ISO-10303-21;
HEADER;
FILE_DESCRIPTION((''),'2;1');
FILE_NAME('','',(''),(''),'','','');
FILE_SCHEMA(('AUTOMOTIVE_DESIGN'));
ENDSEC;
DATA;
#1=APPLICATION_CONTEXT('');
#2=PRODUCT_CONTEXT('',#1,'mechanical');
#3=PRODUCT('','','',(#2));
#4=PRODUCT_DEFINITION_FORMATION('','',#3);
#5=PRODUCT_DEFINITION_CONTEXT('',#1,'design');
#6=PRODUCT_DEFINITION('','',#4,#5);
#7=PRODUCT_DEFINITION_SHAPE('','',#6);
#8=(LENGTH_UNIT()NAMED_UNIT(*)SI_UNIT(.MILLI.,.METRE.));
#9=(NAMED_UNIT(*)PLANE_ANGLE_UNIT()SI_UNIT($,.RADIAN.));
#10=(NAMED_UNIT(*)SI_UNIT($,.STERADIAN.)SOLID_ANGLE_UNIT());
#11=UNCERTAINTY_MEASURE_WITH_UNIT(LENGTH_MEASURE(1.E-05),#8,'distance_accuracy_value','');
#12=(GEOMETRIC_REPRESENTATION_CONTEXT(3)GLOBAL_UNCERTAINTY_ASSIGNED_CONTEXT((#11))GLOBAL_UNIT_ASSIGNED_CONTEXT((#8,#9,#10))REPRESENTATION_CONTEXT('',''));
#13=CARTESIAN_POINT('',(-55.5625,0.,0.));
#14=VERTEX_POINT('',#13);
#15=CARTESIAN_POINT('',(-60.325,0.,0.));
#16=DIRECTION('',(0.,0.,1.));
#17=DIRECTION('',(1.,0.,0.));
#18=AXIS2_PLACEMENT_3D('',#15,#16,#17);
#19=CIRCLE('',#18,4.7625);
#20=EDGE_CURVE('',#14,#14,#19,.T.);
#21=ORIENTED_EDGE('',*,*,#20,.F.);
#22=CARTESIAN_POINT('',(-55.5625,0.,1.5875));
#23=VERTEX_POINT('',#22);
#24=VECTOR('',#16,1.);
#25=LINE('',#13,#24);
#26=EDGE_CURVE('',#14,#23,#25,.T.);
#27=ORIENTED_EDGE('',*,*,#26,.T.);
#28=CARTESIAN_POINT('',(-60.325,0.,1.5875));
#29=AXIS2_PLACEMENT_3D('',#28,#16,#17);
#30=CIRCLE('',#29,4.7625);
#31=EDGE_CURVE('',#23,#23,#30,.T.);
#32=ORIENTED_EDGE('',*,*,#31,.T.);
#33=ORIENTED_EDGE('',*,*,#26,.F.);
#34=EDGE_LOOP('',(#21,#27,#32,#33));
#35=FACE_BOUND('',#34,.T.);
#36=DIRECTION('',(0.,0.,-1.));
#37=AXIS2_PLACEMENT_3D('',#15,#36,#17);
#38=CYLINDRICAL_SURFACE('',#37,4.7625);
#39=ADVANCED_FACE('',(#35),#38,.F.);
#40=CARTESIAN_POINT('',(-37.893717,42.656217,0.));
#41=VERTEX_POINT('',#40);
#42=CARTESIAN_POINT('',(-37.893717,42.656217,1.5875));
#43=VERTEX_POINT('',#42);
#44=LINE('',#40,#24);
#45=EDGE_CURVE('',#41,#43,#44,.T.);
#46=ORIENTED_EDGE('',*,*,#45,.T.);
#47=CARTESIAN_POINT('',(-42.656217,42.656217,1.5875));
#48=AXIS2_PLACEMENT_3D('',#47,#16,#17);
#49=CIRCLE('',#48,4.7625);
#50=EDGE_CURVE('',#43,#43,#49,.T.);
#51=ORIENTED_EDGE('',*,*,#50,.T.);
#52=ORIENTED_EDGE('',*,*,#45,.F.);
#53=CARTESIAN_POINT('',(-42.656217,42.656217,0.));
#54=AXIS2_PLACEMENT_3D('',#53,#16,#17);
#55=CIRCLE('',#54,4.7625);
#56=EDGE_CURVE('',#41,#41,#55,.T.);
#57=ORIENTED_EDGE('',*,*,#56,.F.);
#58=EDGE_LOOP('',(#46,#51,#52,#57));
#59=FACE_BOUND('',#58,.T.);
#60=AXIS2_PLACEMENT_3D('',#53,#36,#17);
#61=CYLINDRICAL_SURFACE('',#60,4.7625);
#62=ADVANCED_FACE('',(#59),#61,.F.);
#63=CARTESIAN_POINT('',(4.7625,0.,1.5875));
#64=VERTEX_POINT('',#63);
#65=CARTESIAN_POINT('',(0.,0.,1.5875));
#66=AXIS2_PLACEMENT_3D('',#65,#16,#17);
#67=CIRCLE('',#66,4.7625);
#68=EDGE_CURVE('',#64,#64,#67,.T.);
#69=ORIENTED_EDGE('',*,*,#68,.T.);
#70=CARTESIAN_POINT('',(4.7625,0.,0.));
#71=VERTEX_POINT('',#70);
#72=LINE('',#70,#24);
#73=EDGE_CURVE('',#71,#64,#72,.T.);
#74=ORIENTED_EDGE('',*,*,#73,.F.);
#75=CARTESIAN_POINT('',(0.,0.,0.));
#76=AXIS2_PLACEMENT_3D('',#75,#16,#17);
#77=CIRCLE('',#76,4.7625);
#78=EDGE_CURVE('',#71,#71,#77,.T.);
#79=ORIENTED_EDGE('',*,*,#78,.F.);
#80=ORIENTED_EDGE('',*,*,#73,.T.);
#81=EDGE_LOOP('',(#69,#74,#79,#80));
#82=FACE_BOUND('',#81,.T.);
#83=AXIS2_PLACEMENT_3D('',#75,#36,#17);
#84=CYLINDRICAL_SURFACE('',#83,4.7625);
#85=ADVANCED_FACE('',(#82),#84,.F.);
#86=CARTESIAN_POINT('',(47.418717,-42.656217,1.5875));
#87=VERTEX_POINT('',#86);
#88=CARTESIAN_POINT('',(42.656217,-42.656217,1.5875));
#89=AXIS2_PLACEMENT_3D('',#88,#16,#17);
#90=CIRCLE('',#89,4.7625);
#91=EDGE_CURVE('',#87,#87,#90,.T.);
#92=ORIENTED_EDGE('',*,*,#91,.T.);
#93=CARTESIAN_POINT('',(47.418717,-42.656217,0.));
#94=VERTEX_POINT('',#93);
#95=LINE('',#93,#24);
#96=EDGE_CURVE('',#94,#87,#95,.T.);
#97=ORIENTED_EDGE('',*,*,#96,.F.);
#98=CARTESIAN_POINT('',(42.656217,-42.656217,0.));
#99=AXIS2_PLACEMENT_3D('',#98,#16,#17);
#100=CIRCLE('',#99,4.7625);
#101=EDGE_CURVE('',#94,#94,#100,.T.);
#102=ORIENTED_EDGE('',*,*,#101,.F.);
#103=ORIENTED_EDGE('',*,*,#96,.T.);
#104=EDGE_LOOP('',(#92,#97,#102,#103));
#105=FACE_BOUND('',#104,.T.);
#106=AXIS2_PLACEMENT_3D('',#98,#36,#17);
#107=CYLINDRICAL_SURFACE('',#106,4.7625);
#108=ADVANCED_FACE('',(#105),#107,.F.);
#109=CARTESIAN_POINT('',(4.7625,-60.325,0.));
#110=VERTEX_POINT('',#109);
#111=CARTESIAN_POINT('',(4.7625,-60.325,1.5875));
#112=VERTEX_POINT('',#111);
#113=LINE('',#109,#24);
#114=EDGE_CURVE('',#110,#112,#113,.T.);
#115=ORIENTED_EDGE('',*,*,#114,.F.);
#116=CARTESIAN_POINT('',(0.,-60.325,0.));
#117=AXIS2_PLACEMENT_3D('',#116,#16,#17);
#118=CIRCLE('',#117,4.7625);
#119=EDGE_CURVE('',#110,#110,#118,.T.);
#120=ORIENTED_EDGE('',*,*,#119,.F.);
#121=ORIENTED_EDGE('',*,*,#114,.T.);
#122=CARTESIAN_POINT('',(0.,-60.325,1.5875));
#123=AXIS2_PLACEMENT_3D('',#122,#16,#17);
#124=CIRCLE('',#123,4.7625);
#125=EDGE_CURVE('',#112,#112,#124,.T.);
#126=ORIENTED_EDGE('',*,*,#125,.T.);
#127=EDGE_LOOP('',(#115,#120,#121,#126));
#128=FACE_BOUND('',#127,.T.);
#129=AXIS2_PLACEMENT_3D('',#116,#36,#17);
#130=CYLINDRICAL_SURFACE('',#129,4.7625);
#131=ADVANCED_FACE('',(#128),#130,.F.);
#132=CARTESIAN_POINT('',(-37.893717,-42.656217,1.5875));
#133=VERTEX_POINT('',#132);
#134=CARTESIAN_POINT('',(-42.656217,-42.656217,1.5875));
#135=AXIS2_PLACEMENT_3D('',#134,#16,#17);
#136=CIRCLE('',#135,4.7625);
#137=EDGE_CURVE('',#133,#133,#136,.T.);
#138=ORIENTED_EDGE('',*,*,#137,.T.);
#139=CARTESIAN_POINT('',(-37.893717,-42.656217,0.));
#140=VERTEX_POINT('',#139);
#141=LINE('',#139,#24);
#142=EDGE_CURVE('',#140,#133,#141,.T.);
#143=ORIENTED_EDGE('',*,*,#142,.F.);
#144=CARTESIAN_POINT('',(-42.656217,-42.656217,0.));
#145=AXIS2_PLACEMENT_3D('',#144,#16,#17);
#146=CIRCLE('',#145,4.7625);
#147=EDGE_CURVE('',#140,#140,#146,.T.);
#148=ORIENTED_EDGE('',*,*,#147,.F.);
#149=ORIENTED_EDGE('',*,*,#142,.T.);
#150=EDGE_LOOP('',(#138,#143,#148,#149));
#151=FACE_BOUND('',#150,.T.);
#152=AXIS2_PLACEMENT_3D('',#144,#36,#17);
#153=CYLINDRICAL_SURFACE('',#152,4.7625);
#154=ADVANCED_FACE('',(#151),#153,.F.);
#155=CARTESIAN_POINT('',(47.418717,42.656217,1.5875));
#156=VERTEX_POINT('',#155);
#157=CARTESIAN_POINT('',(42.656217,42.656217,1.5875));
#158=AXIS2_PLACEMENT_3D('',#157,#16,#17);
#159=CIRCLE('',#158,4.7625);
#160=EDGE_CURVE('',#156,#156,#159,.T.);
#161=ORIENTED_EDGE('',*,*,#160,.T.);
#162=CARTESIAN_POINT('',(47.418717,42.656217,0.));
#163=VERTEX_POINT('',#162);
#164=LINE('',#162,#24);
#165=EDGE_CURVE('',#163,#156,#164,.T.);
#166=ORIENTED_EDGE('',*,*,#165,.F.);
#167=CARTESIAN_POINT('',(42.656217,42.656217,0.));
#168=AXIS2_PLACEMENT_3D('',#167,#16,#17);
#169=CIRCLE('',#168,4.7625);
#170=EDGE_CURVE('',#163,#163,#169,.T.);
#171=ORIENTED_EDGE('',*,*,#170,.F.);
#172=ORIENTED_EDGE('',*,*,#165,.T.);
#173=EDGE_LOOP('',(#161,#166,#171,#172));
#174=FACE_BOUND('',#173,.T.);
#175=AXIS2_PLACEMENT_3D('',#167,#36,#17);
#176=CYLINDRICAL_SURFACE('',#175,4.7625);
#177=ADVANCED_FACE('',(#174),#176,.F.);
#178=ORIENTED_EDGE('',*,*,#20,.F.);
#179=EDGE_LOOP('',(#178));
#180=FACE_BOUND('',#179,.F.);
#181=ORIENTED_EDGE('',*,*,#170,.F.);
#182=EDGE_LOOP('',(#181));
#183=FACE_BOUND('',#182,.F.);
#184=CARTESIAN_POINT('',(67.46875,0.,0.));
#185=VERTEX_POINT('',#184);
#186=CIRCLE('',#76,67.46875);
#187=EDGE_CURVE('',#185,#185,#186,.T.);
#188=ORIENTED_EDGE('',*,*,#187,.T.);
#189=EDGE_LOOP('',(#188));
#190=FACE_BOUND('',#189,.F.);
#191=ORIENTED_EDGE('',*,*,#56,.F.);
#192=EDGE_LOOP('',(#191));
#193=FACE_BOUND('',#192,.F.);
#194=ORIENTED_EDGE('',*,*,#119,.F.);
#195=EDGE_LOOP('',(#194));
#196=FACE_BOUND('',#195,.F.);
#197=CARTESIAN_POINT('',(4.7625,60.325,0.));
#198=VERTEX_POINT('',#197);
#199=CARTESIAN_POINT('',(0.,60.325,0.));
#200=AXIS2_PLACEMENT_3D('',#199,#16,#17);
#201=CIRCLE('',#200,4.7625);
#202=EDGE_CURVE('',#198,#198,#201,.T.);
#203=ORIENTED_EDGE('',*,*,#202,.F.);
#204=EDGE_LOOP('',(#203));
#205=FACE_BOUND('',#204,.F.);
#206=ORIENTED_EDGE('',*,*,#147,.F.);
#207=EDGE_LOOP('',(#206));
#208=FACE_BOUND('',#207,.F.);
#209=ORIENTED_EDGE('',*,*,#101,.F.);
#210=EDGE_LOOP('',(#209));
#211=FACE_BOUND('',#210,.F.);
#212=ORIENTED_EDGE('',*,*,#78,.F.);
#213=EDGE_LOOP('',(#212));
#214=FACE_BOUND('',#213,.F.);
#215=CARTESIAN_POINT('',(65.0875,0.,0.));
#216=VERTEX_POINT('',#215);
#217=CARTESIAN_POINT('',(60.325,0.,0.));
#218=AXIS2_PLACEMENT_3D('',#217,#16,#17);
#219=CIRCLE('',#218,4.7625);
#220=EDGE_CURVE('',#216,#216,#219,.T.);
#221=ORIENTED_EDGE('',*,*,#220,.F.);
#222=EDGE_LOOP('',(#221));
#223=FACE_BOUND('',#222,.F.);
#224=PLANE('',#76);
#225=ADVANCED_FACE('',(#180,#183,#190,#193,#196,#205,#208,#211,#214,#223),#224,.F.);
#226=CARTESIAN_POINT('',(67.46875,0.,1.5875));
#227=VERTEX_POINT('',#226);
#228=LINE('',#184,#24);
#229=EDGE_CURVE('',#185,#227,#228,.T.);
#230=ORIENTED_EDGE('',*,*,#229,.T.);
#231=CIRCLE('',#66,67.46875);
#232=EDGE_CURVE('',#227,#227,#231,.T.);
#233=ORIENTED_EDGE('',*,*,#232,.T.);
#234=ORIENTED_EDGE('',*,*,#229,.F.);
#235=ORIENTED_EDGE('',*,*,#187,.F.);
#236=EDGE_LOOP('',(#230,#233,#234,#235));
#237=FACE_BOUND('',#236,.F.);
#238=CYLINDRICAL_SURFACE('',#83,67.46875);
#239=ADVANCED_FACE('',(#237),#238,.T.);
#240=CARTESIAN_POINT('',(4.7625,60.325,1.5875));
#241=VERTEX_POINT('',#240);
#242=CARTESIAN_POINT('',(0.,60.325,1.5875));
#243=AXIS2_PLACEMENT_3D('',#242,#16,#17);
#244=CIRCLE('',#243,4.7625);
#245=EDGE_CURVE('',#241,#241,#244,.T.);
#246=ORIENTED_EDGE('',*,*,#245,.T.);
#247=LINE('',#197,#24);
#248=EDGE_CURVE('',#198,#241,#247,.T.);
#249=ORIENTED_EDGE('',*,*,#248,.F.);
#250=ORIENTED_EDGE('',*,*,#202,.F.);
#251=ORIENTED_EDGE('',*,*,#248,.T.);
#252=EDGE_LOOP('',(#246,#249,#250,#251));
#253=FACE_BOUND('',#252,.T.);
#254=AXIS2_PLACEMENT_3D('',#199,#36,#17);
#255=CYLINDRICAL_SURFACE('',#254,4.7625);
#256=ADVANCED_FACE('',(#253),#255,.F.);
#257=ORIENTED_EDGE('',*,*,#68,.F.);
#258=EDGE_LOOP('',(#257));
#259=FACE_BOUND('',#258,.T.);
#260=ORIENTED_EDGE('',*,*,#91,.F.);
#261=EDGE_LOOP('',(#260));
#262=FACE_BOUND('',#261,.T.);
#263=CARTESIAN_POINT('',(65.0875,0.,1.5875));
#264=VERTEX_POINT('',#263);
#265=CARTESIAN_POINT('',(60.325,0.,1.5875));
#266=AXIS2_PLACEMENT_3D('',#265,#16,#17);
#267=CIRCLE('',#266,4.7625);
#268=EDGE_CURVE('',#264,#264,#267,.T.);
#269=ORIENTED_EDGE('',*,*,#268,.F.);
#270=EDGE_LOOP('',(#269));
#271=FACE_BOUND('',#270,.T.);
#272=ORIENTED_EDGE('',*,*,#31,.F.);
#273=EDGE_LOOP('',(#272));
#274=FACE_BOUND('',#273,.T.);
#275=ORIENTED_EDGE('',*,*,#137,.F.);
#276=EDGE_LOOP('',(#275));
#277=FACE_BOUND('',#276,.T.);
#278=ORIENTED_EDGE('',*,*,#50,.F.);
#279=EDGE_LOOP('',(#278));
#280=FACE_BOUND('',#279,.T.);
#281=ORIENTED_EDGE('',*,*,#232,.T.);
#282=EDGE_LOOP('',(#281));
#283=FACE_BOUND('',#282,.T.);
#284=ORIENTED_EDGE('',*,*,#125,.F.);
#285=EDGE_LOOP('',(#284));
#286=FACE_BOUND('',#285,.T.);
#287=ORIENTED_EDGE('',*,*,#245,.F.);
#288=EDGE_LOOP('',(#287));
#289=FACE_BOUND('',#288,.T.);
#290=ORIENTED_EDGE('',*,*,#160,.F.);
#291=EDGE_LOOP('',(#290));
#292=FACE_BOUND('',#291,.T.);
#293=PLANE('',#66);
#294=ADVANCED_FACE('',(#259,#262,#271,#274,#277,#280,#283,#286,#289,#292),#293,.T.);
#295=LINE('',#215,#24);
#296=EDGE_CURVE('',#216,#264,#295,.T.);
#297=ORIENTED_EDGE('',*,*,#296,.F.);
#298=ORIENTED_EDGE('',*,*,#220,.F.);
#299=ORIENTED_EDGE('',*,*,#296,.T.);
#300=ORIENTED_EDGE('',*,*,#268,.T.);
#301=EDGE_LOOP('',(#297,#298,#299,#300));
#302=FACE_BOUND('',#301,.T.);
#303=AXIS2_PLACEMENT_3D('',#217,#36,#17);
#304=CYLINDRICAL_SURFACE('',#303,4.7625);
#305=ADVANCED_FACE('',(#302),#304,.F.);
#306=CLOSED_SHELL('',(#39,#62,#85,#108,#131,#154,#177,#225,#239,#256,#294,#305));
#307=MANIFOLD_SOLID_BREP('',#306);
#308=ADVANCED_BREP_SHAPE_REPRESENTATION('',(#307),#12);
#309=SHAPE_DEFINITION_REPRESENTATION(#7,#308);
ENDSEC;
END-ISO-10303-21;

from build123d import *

# Parameters (mm, degrees)
F0_R     = 67.46875
F0_R_2   = 4.7625
F1_DEPTH = 1.5875


with BuildPart() as f1:
    # F0 (on Top) → F1 (new body)
    with BuildSketch(Plane.XY):
        Circle(F0_R)
        with Locations((-42.656217, -42.656217)):
            Circle(F0_R_2, mode=Mode.SUBTRACT)
        with Locations((0, -60.325)):
            Circle(F0_R_2, mode=Mode.SUBTRACT)
        with Locations((42.656217, -42.656217)):
            Circle(F0_R_2, mode=Mode.SUBTRACT)
        with Locations((-60.325, 0)):
            Circle(F0_R_2, mode=Mode.SUBTRACT)
        with Locations((-42.656217, 42.656217)):
            Circle(F0_R_2, mode=Mode.SUBTRACT)
        Circle(F0_R_2, mode=Mode.SUBTRACT)
        with Locations((60.325, 0)):
            Circle(F0_R_2, mode=Mode.SUBTRACT)
        with Locations((0, 60.325)):
            Circle(F0_R_2, mode=Mode.SUBTRACT)
        with Locations((42.656217, 42.656217)):
            Circle(F0_R_2, mode=Mode.SUBTRACT)
    extrude(amount=F1_DEPTH)


solid = f1.part
